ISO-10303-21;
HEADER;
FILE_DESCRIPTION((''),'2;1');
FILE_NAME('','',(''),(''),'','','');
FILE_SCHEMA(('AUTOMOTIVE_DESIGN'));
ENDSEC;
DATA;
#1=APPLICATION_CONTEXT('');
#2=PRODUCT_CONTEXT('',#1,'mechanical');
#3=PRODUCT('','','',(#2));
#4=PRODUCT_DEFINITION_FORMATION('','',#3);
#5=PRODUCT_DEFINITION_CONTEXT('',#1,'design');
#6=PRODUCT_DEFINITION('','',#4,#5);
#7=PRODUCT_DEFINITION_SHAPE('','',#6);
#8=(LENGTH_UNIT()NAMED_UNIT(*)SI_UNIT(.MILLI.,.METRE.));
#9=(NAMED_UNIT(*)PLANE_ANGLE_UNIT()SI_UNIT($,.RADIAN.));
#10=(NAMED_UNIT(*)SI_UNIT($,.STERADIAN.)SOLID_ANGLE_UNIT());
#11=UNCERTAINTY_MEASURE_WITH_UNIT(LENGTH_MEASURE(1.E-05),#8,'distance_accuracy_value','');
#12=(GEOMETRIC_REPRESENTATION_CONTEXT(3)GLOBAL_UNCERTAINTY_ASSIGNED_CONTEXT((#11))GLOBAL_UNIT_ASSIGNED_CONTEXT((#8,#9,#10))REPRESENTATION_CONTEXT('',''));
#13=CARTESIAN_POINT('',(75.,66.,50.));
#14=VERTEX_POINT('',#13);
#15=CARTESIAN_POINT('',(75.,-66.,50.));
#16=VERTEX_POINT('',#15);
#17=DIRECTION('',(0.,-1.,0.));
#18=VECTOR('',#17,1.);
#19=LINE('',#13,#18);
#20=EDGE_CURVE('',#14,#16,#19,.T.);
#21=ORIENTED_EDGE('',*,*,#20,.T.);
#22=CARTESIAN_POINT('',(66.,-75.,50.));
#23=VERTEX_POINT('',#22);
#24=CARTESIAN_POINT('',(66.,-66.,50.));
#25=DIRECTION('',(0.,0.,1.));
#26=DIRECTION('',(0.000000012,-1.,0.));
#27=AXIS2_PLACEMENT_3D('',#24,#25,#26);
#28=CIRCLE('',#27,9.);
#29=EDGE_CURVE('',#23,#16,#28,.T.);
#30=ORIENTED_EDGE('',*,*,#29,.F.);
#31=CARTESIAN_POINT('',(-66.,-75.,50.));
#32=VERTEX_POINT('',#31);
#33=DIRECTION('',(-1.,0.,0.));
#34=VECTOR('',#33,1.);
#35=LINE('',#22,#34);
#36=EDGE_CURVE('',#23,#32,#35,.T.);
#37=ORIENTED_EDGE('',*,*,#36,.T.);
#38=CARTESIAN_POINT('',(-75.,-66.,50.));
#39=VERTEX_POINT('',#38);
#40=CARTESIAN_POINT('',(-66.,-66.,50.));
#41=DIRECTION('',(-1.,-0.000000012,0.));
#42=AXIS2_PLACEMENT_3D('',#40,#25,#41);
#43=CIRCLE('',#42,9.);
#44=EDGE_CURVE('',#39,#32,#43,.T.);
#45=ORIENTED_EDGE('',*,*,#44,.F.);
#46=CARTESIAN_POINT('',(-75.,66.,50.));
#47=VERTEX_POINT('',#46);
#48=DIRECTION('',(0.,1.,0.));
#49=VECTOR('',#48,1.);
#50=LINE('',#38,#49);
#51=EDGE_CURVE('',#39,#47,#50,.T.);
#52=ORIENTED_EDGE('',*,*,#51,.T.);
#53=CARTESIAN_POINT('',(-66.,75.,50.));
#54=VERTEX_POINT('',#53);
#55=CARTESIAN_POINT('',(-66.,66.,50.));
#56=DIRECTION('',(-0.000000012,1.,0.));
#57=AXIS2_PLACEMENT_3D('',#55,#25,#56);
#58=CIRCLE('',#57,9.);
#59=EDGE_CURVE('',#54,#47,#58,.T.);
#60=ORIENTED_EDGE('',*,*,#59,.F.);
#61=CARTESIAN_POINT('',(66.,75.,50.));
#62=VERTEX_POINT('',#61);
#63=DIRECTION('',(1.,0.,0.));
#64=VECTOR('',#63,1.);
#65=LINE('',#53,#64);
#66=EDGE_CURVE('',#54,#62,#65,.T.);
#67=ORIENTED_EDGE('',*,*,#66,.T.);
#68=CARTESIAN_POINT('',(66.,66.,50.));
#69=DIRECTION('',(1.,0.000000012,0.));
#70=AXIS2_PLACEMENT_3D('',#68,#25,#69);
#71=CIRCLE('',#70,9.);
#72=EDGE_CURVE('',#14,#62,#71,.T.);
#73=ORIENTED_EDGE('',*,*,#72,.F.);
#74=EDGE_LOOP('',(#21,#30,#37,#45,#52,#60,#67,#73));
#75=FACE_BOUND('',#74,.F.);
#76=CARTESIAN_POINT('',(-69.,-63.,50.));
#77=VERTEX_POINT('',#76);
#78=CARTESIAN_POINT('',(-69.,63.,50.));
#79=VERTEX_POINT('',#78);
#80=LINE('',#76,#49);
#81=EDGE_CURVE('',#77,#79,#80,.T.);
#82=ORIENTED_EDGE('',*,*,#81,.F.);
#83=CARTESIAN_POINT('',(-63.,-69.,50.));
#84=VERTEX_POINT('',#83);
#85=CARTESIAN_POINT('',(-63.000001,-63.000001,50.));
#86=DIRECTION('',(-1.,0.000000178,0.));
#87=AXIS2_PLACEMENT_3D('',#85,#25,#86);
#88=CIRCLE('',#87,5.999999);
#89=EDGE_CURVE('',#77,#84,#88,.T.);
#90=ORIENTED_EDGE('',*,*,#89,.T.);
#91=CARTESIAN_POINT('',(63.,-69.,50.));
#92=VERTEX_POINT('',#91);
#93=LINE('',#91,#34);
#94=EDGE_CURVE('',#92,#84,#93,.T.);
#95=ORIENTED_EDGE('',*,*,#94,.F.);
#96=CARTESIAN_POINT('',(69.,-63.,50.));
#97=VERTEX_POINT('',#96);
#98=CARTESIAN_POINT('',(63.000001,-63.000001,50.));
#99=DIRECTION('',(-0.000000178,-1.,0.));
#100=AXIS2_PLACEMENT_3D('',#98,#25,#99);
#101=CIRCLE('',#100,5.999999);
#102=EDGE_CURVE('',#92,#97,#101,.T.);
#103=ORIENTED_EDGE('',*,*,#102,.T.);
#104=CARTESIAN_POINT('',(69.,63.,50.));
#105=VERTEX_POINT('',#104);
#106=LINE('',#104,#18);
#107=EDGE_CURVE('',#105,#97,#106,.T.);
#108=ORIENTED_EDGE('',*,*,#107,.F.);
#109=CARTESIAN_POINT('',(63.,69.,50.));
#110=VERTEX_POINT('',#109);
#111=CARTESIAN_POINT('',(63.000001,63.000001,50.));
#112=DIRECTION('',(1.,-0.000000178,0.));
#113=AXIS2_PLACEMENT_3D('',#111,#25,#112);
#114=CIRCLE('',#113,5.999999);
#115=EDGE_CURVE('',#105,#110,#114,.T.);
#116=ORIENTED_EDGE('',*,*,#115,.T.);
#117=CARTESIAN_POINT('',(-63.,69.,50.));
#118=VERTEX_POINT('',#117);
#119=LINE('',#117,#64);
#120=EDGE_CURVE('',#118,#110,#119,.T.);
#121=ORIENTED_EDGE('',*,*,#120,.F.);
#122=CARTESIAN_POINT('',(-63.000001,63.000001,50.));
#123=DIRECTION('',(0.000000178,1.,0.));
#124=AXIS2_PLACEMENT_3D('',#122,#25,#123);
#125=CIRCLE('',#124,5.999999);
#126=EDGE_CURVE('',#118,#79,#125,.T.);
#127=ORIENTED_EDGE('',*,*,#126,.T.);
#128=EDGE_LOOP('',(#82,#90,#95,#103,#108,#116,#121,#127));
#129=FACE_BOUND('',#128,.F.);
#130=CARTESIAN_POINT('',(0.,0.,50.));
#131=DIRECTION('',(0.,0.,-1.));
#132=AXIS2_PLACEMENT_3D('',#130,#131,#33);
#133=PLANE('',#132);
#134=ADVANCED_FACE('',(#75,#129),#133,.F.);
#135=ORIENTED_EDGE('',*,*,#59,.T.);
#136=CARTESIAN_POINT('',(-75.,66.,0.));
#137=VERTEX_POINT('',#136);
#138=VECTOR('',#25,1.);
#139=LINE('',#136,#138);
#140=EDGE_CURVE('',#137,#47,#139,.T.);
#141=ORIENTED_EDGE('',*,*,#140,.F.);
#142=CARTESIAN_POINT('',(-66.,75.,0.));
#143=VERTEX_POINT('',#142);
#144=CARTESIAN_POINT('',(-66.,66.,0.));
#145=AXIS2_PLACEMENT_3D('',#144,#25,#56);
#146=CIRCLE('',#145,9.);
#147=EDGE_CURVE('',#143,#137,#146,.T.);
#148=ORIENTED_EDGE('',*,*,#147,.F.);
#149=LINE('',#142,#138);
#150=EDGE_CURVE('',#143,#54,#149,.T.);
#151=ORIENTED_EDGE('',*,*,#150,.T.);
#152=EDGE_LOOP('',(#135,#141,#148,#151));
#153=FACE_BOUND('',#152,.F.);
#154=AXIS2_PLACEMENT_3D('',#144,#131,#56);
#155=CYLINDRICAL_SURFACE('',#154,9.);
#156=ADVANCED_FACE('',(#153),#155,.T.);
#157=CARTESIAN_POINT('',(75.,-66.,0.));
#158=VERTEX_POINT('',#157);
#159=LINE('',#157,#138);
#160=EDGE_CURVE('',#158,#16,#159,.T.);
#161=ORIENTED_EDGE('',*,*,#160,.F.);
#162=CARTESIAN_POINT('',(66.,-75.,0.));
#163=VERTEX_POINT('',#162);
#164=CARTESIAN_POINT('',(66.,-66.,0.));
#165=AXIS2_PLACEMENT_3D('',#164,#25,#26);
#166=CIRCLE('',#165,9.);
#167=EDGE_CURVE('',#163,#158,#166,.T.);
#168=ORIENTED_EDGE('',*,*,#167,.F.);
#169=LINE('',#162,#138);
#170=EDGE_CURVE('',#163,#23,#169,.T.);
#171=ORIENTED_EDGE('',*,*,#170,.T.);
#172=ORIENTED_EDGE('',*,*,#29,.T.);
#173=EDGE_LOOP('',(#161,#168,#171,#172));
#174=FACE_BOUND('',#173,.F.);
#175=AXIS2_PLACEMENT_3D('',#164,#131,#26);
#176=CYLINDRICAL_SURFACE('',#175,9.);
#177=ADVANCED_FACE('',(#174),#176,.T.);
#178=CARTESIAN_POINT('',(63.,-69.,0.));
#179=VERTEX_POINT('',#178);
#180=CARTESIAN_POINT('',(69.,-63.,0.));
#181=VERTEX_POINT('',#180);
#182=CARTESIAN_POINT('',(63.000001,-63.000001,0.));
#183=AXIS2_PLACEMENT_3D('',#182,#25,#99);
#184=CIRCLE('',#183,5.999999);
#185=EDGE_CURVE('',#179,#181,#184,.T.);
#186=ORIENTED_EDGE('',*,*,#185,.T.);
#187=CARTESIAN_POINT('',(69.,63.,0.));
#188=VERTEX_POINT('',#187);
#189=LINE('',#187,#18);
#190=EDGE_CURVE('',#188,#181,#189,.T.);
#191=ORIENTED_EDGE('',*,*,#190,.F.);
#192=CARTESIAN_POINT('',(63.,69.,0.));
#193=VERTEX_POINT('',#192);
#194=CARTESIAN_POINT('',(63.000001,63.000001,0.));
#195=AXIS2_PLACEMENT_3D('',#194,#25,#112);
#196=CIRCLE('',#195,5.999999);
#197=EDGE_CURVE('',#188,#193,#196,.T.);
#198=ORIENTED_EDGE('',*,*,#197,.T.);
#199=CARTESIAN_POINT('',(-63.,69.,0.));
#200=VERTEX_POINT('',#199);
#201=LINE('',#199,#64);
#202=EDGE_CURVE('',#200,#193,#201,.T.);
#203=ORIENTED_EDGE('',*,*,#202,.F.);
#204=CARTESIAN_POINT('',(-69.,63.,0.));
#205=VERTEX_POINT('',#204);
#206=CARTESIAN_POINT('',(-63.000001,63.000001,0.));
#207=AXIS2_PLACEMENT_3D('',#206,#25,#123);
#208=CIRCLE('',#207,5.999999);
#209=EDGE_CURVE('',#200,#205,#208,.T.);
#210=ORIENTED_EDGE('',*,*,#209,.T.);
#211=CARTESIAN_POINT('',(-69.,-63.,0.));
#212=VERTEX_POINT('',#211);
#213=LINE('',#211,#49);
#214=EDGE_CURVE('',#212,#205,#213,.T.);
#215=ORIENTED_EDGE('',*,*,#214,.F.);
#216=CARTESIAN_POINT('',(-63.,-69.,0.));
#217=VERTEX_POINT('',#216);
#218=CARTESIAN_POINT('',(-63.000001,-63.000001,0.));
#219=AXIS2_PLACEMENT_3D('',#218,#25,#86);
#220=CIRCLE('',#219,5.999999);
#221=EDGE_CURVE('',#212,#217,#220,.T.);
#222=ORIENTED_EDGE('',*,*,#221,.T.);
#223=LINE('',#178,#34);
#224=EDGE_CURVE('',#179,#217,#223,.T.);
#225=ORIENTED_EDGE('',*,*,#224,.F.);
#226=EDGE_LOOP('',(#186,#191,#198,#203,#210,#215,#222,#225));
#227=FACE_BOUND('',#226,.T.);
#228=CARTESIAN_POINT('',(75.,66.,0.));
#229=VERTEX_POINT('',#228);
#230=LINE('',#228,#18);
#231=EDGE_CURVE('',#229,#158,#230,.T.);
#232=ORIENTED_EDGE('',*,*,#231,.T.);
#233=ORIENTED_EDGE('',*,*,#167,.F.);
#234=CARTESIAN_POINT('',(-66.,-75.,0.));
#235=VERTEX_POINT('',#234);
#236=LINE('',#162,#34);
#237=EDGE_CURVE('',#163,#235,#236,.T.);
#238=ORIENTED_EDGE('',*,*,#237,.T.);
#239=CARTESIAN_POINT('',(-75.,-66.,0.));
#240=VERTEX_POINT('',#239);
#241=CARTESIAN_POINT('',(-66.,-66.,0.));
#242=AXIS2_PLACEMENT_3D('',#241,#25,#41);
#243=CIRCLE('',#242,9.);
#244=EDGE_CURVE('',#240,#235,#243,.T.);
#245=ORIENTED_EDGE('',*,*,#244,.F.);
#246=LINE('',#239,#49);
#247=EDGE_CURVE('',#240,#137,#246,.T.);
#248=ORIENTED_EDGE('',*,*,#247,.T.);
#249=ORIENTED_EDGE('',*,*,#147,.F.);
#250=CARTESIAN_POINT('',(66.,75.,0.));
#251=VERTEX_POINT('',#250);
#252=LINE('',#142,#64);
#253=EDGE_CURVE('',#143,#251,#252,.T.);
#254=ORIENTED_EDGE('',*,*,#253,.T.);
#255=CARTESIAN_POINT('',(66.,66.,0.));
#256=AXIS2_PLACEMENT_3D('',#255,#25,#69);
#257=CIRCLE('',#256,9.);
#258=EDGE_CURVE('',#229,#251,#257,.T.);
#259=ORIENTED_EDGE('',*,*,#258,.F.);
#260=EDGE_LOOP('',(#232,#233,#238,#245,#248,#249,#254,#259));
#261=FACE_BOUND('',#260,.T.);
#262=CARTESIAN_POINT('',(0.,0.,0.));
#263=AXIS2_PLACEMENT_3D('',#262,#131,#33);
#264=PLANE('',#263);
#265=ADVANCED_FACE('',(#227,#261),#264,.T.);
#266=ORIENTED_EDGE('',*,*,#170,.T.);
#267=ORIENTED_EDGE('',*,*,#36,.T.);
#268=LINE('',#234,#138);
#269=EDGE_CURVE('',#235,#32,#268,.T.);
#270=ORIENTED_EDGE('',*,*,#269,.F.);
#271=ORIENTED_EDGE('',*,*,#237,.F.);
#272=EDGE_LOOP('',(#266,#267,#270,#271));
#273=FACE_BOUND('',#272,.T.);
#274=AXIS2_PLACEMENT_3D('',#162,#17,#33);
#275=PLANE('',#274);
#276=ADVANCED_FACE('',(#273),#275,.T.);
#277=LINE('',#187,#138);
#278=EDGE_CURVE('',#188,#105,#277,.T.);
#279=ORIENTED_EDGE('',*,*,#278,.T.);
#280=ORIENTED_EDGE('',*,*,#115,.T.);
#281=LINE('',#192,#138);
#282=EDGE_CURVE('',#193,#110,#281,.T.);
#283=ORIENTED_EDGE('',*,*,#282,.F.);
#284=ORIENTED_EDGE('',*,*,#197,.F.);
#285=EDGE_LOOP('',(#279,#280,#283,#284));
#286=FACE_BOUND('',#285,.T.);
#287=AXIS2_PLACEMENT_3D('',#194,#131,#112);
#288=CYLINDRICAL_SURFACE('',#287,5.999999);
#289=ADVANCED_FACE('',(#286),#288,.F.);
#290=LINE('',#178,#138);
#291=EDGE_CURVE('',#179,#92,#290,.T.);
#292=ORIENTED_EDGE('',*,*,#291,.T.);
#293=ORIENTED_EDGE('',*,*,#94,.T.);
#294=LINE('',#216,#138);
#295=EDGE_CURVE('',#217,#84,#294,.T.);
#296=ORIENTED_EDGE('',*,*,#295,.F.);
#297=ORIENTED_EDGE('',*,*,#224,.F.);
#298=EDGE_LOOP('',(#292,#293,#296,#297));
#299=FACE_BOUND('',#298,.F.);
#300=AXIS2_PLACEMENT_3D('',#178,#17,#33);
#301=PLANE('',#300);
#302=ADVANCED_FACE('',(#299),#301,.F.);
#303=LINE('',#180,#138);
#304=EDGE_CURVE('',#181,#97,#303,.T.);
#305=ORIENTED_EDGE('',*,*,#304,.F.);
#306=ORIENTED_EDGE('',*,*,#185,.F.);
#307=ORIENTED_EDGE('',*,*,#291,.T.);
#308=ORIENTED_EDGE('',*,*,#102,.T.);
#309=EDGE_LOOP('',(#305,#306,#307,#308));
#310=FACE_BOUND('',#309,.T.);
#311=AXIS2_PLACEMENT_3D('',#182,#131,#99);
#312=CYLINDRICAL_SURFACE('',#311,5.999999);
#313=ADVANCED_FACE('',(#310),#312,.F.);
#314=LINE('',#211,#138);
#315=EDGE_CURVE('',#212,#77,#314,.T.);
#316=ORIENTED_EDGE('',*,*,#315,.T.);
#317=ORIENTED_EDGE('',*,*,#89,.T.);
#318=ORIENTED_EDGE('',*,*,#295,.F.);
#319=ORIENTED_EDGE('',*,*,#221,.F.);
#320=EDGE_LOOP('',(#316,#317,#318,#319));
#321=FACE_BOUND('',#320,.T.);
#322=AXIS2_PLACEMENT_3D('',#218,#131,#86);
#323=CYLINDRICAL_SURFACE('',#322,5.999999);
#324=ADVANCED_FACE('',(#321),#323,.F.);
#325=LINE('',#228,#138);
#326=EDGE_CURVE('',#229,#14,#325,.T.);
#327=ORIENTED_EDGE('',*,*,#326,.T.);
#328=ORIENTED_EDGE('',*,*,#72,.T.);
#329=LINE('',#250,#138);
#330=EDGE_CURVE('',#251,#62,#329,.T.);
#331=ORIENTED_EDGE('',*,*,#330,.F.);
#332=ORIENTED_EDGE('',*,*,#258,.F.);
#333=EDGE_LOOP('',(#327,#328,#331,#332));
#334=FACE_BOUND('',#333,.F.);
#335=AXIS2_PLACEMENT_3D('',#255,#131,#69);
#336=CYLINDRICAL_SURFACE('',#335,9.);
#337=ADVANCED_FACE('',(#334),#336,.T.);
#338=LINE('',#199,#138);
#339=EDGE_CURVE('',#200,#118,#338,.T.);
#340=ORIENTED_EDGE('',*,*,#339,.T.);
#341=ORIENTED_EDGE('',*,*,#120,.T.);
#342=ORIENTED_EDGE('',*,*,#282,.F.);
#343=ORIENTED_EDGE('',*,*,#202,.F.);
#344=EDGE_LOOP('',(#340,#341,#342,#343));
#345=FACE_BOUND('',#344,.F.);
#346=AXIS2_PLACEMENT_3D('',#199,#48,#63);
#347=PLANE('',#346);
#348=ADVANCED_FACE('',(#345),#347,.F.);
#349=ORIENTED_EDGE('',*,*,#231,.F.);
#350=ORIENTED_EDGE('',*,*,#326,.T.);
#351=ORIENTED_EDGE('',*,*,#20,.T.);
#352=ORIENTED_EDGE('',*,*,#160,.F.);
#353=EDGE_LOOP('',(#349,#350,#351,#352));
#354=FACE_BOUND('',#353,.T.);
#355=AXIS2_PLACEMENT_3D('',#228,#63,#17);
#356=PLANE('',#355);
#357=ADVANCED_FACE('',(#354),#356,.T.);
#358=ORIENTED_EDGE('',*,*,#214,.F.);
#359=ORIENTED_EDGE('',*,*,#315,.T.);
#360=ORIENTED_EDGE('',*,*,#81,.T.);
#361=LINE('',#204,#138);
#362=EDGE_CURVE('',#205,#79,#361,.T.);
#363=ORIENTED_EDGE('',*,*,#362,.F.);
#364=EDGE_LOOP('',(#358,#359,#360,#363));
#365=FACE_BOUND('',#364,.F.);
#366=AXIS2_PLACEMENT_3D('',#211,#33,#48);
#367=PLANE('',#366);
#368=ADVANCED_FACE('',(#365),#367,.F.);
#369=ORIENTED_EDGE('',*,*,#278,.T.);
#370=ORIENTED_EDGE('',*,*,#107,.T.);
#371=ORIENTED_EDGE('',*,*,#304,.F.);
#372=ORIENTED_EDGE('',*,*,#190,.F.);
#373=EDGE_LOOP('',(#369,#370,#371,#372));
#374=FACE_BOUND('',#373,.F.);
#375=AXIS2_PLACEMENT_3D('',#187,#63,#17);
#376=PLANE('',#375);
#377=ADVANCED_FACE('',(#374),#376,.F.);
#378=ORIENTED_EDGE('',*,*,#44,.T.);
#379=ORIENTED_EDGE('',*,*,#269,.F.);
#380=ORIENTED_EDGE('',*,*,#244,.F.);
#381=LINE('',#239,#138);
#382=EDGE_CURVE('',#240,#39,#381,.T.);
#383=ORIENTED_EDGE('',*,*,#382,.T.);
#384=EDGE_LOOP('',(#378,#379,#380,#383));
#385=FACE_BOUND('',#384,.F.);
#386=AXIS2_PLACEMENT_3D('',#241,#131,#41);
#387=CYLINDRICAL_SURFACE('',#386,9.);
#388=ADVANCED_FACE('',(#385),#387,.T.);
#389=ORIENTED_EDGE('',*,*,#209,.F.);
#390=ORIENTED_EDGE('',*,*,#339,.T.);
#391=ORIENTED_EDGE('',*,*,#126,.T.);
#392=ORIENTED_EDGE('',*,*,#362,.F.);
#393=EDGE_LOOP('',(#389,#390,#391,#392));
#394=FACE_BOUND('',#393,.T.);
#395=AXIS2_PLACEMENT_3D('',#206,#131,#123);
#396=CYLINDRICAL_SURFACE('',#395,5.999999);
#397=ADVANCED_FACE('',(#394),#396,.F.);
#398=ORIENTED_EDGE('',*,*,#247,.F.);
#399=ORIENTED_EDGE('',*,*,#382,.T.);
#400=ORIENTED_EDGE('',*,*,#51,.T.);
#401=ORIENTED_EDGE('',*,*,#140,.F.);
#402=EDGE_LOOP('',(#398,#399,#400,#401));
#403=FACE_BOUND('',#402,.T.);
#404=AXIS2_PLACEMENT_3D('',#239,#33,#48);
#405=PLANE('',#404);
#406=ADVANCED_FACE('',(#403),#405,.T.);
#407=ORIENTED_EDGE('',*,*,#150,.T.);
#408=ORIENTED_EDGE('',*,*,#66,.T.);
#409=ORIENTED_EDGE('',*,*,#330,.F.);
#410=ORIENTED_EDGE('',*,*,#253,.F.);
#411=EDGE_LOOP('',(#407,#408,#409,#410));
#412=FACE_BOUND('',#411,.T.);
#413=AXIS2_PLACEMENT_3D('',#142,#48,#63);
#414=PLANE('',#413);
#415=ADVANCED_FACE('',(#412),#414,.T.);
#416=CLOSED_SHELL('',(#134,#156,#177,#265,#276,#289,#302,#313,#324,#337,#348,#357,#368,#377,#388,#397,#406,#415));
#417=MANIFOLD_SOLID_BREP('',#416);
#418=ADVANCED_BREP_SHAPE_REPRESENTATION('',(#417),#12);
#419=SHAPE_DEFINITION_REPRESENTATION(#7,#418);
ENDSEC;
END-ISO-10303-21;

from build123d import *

# Parameters (mm, degrees)
EXTRUDE_DEPTH = 50


with BuildPart() as part:
    # Sketch → Extrude (new body)
    with BuildSketch(Plane.XY):
        with BuildLine():
            Line((-66, 75), (66, 75))
            ThreePointArc((75, 66), (72.363961, 72.363961), (66, 75))
            Line((75, 66), (75, -66))
            ThreePointArc((66, -75), (72.363961, -72.363961), (75, -66))
            Line((66, -75), (-66, -75))
            ThreePointArc((-75, -66), (-72.363961, -72.363961), (-66, -75))
            Line((-75, -66), (-75, 66))
            ThreePointArc((-66, 75), (-72.363961, 72.363961), (-75, 66))
        make_face()
        with BuildLine():
            Line((-63, 69), (63, 69))
            ThreePointArc((69, 63), (67.242641, 67.242641), (63, 69))
            Line((69, 63), (69, -63))
            ThreePointArc((63, -69), (67.242641, -67.242641), (69, -63))
            Line((63, -69), (-63, -69))
            ThreePointArc((-69, -63), (-67.242641, -67.242641), (-63, -69))
            Line((-69, -63), (-69, 63))
            ThreePointArc((-63, 69), (-67.242641, 67.242641), (-69, 63))
        make_face(mode=Mode.SUBTRACT)
    extrude(amount=EXTRUDE_DEPTH)


solid = part.part
